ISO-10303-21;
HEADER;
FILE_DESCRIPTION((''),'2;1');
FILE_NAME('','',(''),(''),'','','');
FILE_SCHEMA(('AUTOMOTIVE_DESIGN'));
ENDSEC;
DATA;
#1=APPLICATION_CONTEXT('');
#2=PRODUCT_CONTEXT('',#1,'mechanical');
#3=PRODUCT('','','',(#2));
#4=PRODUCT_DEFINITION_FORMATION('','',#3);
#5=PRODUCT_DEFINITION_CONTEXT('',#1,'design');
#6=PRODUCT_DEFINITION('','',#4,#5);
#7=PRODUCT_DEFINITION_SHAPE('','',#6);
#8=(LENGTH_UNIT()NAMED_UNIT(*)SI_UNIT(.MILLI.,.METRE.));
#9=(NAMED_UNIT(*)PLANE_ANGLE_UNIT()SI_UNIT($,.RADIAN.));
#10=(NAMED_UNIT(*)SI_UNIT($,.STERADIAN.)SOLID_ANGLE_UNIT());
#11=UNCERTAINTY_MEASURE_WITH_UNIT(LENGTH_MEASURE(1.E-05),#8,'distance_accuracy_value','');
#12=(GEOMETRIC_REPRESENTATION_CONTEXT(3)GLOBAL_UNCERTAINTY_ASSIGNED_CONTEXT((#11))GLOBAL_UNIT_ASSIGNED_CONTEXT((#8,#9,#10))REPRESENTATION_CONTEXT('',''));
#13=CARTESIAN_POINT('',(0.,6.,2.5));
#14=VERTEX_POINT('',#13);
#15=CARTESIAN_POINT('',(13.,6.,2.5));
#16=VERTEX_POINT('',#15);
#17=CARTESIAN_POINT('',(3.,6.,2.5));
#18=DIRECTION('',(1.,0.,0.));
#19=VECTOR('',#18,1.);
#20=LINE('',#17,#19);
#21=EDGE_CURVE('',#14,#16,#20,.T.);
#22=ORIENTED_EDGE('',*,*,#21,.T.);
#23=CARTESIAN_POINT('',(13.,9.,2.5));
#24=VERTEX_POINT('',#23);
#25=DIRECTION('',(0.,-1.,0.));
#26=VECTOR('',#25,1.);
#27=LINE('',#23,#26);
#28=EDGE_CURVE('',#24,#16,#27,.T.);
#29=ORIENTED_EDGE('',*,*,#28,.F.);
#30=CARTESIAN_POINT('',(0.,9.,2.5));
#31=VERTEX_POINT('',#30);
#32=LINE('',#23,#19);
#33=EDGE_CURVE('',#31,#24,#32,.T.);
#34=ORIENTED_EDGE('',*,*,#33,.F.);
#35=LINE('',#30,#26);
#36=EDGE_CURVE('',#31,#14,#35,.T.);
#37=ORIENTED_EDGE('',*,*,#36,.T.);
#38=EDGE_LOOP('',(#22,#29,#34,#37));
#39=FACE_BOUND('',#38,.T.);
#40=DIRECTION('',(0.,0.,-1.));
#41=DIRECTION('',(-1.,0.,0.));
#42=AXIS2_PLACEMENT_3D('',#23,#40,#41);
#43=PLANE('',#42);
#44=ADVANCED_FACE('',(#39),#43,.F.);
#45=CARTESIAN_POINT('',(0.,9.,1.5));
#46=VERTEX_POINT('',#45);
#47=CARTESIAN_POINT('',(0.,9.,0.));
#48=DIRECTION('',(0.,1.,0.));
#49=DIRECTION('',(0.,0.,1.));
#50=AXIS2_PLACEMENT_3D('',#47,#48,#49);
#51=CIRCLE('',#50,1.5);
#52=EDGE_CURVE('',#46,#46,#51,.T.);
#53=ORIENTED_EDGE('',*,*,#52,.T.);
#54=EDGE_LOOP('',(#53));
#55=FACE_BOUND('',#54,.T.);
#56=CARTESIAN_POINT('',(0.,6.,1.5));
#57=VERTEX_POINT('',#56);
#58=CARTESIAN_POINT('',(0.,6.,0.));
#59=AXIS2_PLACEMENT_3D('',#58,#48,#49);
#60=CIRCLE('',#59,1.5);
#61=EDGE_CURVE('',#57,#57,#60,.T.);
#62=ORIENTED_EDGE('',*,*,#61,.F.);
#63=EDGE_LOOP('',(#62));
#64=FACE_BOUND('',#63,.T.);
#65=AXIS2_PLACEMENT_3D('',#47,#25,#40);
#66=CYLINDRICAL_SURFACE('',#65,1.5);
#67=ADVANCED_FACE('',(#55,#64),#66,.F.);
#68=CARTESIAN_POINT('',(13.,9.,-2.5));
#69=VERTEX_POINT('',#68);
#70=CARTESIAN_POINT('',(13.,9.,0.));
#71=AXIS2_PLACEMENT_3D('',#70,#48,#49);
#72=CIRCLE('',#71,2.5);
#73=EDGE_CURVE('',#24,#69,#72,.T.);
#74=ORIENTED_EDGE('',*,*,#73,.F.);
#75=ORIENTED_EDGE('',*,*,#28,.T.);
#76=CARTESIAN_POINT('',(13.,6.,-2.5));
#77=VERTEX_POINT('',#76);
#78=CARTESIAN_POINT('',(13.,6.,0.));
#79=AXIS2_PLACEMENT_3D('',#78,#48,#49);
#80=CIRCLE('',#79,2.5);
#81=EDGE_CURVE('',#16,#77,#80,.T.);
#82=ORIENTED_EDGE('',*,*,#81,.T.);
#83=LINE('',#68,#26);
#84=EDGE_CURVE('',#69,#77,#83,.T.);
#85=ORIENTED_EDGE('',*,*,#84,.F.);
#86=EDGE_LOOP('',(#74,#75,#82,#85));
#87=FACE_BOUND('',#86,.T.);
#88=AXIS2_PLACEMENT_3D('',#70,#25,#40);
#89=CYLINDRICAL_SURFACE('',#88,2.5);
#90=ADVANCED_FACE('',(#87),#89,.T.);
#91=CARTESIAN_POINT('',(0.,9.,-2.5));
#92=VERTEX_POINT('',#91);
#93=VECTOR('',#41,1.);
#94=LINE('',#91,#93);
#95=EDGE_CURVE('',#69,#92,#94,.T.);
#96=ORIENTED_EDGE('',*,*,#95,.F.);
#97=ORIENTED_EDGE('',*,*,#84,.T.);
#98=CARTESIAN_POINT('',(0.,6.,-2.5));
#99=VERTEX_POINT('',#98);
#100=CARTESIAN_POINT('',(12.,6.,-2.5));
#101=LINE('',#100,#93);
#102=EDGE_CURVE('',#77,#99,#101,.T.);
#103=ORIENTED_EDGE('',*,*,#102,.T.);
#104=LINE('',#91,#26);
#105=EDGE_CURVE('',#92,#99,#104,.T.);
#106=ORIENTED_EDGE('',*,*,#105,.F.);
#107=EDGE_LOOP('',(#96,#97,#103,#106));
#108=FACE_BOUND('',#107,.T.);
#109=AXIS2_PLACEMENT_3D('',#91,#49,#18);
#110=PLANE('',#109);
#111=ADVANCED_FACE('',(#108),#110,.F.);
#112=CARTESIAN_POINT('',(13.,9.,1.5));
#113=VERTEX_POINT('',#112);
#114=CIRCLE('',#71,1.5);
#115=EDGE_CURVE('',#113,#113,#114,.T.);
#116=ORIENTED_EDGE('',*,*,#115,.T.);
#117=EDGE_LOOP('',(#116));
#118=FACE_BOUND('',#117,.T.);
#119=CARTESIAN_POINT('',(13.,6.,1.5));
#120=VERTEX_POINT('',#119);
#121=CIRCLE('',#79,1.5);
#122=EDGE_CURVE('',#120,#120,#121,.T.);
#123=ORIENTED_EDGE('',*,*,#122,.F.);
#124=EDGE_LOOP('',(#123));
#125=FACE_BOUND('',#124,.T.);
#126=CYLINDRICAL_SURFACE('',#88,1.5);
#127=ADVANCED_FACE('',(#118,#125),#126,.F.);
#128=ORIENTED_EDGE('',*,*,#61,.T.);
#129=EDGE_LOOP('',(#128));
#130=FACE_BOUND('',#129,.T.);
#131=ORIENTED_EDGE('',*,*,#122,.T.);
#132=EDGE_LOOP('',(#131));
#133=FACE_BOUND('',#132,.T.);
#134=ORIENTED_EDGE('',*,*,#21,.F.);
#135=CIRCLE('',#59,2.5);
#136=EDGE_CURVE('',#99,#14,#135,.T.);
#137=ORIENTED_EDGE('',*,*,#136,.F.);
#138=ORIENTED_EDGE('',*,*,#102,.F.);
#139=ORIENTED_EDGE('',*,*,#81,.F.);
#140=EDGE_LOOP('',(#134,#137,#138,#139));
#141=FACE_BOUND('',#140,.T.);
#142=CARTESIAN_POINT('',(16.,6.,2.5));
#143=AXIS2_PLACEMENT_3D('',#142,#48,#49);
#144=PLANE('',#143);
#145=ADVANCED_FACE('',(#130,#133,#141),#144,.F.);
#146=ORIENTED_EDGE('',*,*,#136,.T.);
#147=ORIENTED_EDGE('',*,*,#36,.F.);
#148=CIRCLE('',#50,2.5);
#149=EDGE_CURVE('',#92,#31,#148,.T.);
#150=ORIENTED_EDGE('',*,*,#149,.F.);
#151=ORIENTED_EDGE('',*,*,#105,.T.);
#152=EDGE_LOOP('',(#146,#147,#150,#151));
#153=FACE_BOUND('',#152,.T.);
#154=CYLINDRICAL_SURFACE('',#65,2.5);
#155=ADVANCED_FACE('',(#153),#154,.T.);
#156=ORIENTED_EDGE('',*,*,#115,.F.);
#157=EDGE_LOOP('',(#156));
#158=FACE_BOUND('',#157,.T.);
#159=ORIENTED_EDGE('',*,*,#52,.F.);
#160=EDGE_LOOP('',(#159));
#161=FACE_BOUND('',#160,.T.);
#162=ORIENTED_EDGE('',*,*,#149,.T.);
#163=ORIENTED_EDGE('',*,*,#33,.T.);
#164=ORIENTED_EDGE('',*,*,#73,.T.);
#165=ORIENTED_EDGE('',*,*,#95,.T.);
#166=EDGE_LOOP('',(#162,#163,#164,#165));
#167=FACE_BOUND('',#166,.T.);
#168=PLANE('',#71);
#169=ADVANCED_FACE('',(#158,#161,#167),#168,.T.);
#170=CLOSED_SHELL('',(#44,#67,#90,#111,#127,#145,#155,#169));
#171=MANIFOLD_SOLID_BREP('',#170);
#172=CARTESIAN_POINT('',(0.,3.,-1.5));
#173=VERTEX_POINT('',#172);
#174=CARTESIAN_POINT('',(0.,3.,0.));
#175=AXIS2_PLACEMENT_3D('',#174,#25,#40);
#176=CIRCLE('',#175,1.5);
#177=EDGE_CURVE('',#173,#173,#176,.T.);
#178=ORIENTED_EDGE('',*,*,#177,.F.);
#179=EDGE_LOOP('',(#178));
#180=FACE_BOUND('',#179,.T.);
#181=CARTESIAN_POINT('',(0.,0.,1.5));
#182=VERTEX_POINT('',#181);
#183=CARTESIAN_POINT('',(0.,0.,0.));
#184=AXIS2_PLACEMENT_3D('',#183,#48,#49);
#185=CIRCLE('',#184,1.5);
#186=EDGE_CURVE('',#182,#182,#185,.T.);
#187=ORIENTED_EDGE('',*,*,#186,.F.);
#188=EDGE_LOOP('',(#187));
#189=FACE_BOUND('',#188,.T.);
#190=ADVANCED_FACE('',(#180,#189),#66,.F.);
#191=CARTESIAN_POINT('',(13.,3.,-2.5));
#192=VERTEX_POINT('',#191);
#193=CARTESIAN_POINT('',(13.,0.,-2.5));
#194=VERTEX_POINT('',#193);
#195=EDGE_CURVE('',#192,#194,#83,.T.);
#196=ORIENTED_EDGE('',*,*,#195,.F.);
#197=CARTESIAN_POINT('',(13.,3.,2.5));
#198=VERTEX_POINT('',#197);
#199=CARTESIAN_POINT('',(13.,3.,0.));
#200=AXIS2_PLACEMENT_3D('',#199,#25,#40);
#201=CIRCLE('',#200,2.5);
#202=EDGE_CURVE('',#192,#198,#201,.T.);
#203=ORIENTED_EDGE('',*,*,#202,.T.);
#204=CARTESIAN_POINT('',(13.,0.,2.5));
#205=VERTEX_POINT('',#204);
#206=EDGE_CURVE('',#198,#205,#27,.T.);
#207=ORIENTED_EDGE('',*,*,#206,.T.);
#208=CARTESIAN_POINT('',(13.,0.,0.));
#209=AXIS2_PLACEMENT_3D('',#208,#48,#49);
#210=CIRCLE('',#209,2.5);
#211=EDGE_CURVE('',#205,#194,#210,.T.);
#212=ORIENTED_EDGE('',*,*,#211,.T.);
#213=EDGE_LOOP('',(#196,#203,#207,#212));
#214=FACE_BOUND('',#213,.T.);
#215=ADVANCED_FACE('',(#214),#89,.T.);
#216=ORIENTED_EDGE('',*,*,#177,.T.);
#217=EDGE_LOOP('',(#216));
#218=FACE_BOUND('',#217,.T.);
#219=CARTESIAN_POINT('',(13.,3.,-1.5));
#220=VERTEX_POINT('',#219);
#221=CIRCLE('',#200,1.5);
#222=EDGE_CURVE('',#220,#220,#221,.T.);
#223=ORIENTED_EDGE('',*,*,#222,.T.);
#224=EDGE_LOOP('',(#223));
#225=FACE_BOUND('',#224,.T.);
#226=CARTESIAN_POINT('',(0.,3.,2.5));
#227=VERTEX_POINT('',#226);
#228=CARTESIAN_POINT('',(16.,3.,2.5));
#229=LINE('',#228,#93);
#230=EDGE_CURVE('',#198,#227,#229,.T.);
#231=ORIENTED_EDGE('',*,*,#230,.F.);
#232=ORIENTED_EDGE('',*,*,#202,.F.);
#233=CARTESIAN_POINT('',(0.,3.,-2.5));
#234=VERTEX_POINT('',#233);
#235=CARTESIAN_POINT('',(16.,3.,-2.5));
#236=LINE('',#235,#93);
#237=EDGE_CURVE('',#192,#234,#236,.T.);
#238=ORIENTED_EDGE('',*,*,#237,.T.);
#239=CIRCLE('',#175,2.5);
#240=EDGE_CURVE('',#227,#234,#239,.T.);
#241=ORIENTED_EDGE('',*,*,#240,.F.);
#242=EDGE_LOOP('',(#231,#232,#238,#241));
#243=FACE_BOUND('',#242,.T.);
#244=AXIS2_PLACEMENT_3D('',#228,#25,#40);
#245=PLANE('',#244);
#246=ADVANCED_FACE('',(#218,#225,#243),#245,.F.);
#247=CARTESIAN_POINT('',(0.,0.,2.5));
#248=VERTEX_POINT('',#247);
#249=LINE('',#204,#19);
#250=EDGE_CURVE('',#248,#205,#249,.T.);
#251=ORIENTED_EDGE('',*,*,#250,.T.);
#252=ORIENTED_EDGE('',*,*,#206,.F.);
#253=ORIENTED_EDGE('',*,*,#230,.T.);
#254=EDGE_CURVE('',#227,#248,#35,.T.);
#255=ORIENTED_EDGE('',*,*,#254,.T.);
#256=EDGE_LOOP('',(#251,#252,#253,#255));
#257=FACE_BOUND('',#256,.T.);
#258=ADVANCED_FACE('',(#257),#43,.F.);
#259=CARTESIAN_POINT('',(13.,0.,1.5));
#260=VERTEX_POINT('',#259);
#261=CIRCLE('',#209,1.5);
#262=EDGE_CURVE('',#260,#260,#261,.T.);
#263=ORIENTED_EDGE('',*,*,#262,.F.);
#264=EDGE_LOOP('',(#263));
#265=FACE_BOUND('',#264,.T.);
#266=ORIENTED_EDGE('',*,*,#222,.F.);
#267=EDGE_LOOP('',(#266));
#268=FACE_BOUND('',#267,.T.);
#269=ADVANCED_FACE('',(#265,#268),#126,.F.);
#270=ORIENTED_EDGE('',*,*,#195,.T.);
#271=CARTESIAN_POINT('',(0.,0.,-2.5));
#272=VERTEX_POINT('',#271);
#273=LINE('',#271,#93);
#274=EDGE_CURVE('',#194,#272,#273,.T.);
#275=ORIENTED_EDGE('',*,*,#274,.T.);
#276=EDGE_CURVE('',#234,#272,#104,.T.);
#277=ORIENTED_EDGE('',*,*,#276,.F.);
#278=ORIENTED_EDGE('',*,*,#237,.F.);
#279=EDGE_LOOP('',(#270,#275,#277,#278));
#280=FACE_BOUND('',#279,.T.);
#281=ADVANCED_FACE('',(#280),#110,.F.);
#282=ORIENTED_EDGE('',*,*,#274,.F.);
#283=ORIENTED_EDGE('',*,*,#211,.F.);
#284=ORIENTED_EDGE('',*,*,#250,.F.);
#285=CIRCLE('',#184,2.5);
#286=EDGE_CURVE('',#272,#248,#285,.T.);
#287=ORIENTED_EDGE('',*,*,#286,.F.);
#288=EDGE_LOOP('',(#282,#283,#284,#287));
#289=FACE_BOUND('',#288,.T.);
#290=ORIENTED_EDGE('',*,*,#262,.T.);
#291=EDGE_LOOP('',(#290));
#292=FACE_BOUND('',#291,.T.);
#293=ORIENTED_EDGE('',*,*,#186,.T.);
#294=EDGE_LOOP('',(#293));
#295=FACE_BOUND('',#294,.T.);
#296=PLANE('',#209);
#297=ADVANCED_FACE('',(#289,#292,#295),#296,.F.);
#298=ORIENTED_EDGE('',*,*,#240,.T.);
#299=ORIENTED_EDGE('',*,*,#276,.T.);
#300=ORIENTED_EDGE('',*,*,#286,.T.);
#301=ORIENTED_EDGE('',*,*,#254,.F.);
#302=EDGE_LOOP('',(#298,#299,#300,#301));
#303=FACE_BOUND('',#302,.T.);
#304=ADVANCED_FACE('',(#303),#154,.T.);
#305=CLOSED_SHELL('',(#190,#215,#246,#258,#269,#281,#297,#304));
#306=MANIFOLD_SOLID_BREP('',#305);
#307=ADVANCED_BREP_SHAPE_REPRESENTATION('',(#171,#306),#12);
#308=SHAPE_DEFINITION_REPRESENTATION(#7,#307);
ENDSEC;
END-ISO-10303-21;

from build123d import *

# Parameters (mm, degrees)
SKETCH1_R           = 1.5
BOSS_EXTRUDE1_DEPTH = 9
SKETCH2_W           = 6
SKETCH2_H           = 3
CUT_EXTRUDE1_DEPTH  = 19.607794066
CHAMFER1_SIZE       = 1
SKETCH3_W           = 5
SKETCH3_H           = 3
CUT_EXTRUDE2_DEPTH  = 9


with BuildPart() as part:
    # Sketch1 → Boss-Extrude1 (new body)
    with BuildSketch(Plane(origin=(0, 0, 0), x_dir=(1, 0, 0), z_dir=(0, 1, 0))):
        with BuildLine():
            Line((0, 2.5), (13, 2.5))
            ThreePointArc((13, 2.5), (15.5, 0), (13, -2.5))
            Line((13, -2.5), (0, -2.5))
            ThreePointArc((0, -2.5), (-2.5, 0), (0, 2.5))
        make_face()
        with Locations(Location((0, 0, 0), (0, 0, 270))):
            Circle(SKETCH1_R, mode=Mode.SUBTRACT)
        with Locations(Location((13, 0, 0), (0, 0, 270))):
            Circle(SKETCH1_R, mode=Mode.SUBTRACT)
    extrude(amount=BOSS_EXTRUDE1_DEPTH)

    # Sketch2 → Cut-Extrude1 (cut, through all)
    with BuildSketch(Plane(origin=(0, 0, -2.5), x_dir=(-1, 0, 0), z_dir=(0, 0, -1))):
        with Locations((-13, 4.5)):
            Rectangle(SKETCH2_W, SKETCH2_H)
        with Locations((0, 4.5)):
            Rectangle(SKETCH2_W, SKETCH2_H)
    extrude(amount=-CUT_EXTRUDE1_DEPTH, mode=Mode.SUBTRACT)

    # Chamfer1
    chamfer1_edges = [part.edges().sort_by_distance(p)[0] for p in [
        (10, 4.5, 2.5),
        (10, 4.5, -2.5),
        (3, 4.5, -2.5),
        (3, 4.5, 2.5),
    ]]
    chamfer(chamfer1_edges, length=CHAMFER1_SIZE)

    # Sketch3 → Cut-Extrude2 (cut)
    with BuildSketch(Plane.ZY.offset(-3)):
        with Locations((0, 4.5)):
            Rectangle(SKETCH3_W, SKETCH3_H)
    extrude(amount=-CUT_EXTRUDE2_DEPTH, mode=Mode.SUBTRACT)


with BuildPart() as cut_extrude2_piece_1:
    # of the separate pieces the step leaves, piece 1, a body of its own (cut_extrude2_pieces)
    add(part.part.solids().sort_by_distance((13, 6, -2.5))[0])


with BuildPart() as cut_extrude2_piece_2:
    # of the separate pieces the step leaves, piece 2, a body of its own (cut_extrude2_pieces)
    add(part.part.solids().sort_by_distance((0, 3, -2.5))[0])


solid = Compound([cut_extrude2_piece_1.part, cut_extrude2_piece_2.part])
